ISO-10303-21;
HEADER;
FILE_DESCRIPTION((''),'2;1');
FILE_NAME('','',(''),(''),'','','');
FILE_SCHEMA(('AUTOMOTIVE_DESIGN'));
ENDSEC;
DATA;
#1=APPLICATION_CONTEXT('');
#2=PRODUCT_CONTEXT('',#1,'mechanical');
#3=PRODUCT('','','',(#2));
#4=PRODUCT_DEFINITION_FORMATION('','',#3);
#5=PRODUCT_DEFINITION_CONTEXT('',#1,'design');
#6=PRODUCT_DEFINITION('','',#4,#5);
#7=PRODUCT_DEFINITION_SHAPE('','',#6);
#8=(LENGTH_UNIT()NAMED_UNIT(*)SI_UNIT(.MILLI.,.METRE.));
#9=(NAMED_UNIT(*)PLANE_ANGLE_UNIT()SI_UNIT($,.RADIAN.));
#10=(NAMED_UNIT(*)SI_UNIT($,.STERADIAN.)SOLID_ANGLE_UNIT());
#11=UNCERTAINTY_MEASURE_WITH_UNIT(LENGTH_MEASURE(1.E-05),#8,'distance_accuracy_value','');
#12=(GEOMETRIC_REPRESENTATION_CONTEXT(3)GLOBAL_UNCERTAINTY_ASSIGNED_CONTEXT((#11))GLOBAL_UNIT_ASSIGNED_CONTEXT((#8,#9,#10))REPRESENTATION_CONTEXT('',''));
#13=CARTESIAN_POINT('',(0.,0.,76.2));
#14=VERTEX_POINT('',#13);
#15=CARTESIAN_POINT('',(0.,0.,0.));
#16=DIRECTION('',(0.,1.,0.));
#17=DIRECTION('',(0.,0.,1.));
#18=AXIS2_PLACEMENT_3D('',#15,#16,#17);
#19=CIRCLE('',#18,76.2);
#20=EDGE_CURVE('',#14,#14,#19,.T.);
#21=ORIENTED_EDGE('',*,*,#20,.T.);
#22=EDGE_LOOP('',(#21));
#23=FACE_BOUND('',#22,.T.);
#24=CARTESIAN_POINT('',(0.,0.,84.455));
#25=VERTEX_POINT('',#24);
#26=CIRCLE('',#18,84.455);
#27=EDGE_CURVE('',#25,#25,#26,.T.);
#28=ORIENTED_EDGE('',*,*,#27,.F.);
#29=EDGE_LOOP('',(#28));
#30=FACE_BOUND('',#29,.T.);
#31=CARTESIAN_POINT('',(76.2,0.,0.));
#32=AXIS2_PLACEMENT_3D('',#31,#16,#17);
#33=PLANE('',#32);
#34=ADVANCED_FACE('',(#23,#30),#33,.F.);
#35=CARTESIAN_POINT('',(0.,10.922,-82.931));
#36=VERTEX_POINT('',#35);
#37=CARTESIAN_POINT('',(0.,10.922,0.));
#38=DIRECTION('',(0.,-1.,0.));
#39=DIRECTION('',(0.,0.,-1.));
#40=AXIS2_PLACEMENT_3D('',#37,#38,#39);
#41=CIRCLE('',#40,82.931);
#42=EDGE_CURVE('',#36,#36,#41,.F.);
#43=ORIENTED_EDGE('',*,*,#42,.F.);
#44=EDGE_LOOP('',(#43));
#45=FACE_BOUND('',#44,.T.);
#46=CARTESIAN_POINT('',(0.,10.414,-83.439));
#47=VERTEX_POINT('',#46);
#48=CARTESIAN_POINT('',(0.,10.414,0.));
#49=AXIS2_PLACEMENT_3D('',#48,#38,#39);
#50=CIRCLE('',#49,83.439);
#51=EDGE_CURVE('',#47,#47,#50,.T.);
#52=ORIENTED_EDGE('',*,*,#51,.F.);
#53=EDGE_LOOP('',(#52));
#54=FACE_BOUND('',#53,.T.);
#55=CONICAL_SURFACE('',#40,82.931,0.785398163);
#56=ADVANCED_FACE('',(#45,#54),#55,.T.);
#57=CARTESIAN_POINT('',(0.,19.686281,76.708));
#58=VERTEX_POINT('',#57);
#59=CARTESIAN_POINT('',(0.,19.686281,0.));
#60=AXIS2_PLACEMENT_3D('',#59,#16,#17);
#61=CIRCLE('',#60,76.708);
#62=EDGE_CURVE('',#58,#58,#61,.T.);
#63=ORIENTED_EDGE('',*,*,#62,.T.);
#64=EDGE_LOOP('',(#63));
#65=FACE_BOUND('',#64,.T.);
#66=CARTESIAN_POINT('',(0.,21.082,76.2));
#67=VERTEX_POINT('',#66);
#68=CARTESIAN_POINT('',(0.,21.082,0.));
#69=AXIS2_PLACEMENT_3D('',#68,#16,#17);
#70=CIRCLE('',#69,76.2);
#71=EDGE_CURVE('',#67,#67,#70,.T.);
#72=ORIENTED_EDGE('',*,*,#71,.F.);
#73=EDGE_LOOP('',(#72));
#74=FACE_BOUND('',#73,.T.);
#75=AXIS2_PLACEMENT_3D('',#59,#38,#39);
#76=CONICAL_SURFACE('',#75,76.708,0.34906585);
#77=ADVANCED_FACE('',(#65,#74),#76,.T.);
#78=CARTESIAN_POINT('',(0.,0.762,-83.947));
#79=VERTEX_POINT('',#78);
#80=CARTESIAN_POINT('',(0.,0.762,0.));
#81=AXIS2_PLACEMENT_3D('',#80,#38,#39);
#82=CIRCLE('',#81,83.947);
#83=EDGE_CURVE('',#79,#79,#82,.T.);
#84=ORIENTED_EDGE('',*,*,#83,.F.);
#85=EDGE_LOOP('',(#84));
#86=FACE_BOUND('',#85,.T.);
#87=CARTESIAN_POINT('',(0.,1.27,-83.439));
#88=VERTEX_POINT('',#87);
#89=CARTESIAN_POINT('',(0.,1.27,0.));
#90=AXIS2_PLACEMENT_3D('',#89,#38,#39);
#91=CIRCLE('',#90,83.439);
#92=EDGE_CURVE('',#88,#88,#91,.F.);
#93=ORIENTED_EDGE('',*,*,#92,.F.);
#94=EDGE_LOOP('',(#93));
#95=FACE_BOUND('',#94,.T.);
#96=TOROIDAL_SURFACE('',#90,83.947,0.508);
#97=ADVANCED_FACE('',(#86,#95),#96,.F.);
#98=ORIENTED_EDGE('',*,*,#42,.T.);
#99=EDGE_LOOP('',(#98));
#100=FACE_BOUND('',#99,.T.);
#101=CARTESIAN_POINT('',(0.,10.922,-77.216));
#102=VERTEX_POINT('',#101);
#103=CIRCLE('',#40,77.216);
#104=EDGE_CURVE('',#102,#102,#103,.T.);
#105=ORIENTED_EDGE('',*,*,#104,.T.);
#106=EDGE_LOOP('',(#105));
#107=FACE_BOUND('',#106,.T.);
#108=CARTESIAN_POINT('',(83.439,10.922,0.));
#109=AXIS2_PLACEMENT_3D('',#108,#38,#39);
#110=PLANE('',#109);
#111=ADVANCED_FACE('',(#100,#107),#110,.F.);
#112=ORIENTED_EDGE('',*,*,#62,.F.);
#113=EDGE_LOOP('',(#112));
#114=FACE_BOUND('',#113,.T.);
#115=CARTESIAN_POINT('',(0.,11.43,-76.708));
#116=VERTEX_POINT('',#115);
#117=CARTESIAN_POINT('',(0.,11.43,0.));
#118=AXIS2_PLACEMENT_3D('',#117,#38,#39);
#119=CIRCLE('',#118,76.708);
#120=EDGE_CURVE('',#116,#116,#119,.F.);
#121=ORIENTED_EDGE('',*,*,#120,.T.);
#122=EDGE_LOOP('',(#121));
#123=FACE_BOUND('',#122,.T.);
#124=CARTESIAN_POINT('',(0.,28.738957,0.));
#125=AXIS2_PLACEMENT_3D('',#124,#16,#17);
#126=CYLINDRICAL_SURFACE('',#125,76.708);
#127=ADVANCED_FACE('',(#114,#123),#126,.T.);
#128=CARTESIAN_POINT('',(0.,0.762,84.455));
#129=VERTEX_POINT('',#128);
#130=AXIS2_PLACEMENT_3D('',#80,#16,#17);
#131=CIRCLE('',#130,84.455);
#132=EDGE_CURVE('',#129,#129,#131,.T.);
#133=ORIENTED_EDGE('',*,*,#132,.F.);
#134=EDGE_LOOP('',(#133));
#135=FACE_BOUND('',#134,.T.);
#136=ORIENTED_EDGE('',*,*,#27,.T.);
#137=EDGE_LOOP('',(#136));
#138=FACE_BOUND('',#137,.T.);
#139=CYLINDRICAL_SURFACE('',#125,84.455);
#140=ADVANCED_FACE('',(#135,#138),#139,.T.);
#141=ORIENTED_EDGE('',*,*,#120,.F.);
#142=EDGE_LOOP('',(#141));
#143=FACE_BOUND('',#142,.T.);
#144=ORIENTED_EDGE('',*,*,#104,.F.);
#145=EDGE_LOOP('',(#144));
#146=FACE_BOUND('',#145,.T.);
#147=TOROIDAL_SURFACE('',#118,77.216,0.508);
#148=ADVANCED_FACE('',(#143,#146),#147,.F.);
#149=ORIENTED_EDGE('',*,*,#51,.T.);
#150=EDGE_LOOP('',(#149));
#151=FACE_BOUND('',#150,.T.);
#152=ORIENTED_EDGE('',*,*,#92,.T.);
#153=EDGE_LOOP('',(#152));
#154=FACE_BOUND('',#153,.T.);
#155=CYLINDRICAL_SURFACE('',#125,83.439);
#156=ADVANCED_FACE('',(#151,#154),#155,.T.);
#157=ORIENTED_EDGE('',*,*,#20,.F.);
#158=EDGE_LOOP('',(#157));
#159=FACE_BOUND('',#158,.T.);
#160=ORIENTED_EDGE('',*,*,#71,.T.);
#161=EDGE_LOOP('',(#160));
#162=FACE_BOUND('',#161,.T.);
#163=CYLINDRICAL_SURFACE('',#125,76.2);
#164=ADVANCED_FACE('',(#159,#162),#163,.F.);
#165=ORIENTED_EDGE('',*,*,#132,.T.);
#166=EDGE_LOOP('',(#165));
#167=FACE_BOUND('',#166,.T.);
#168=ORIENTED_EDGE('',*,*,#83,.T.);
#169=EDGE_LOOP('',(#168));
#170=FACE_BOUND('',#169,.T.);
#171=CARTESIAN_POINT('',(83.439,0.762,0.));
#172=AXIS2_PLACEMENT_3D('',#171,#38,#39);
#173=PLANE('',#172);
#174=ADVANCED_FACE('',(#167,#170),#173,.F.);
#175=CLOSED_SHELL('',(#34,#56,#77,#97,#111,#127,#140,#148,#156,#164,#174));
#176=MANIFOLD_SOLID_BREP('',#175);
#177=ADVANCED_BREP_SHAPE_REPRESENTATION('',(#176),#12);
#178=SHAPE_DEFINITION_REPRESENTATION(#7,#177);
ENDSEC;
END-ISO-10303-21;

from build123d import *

# Parameters (mm, degrees)
FILLET1_R     = 0.508
CHAMFER1_SIZE = 0.508


with BuildPart() as part:
    # Sketch1 → Revolve1 (revolve)
    with BuildSketch(Plane.XY):
        Polygon((76.2, 21.082), (76.2, 0), (84.455, 0), (84.455, 0.762), (83.439, 0.762), (83.439, 10.922), (76.708, 10.922), (76.708, 19.686281471), align=None)
    revolve(axis=Axis((0, 28.738956579, 0), (0, -1, 0)))

    # Fillet1
    fillet1_edges = [part.edges().sort_by_distance(p)[0] for p in [
        (-83.439, 0.762, 0),
        (-76.708, 10.922, 0),
    ]]
    fillet(fillet1_edges, radius=FILLET1_R)

    # Chamfer1
    chamfer1_edges = [part.edges().sort_by_distance(p)[0] for p in [
        (-83.439, 10.922, 0),
    ]]
    chamfer(chamfer1_edges, length=CHAMFER1_SIZE)


solid = part.part
